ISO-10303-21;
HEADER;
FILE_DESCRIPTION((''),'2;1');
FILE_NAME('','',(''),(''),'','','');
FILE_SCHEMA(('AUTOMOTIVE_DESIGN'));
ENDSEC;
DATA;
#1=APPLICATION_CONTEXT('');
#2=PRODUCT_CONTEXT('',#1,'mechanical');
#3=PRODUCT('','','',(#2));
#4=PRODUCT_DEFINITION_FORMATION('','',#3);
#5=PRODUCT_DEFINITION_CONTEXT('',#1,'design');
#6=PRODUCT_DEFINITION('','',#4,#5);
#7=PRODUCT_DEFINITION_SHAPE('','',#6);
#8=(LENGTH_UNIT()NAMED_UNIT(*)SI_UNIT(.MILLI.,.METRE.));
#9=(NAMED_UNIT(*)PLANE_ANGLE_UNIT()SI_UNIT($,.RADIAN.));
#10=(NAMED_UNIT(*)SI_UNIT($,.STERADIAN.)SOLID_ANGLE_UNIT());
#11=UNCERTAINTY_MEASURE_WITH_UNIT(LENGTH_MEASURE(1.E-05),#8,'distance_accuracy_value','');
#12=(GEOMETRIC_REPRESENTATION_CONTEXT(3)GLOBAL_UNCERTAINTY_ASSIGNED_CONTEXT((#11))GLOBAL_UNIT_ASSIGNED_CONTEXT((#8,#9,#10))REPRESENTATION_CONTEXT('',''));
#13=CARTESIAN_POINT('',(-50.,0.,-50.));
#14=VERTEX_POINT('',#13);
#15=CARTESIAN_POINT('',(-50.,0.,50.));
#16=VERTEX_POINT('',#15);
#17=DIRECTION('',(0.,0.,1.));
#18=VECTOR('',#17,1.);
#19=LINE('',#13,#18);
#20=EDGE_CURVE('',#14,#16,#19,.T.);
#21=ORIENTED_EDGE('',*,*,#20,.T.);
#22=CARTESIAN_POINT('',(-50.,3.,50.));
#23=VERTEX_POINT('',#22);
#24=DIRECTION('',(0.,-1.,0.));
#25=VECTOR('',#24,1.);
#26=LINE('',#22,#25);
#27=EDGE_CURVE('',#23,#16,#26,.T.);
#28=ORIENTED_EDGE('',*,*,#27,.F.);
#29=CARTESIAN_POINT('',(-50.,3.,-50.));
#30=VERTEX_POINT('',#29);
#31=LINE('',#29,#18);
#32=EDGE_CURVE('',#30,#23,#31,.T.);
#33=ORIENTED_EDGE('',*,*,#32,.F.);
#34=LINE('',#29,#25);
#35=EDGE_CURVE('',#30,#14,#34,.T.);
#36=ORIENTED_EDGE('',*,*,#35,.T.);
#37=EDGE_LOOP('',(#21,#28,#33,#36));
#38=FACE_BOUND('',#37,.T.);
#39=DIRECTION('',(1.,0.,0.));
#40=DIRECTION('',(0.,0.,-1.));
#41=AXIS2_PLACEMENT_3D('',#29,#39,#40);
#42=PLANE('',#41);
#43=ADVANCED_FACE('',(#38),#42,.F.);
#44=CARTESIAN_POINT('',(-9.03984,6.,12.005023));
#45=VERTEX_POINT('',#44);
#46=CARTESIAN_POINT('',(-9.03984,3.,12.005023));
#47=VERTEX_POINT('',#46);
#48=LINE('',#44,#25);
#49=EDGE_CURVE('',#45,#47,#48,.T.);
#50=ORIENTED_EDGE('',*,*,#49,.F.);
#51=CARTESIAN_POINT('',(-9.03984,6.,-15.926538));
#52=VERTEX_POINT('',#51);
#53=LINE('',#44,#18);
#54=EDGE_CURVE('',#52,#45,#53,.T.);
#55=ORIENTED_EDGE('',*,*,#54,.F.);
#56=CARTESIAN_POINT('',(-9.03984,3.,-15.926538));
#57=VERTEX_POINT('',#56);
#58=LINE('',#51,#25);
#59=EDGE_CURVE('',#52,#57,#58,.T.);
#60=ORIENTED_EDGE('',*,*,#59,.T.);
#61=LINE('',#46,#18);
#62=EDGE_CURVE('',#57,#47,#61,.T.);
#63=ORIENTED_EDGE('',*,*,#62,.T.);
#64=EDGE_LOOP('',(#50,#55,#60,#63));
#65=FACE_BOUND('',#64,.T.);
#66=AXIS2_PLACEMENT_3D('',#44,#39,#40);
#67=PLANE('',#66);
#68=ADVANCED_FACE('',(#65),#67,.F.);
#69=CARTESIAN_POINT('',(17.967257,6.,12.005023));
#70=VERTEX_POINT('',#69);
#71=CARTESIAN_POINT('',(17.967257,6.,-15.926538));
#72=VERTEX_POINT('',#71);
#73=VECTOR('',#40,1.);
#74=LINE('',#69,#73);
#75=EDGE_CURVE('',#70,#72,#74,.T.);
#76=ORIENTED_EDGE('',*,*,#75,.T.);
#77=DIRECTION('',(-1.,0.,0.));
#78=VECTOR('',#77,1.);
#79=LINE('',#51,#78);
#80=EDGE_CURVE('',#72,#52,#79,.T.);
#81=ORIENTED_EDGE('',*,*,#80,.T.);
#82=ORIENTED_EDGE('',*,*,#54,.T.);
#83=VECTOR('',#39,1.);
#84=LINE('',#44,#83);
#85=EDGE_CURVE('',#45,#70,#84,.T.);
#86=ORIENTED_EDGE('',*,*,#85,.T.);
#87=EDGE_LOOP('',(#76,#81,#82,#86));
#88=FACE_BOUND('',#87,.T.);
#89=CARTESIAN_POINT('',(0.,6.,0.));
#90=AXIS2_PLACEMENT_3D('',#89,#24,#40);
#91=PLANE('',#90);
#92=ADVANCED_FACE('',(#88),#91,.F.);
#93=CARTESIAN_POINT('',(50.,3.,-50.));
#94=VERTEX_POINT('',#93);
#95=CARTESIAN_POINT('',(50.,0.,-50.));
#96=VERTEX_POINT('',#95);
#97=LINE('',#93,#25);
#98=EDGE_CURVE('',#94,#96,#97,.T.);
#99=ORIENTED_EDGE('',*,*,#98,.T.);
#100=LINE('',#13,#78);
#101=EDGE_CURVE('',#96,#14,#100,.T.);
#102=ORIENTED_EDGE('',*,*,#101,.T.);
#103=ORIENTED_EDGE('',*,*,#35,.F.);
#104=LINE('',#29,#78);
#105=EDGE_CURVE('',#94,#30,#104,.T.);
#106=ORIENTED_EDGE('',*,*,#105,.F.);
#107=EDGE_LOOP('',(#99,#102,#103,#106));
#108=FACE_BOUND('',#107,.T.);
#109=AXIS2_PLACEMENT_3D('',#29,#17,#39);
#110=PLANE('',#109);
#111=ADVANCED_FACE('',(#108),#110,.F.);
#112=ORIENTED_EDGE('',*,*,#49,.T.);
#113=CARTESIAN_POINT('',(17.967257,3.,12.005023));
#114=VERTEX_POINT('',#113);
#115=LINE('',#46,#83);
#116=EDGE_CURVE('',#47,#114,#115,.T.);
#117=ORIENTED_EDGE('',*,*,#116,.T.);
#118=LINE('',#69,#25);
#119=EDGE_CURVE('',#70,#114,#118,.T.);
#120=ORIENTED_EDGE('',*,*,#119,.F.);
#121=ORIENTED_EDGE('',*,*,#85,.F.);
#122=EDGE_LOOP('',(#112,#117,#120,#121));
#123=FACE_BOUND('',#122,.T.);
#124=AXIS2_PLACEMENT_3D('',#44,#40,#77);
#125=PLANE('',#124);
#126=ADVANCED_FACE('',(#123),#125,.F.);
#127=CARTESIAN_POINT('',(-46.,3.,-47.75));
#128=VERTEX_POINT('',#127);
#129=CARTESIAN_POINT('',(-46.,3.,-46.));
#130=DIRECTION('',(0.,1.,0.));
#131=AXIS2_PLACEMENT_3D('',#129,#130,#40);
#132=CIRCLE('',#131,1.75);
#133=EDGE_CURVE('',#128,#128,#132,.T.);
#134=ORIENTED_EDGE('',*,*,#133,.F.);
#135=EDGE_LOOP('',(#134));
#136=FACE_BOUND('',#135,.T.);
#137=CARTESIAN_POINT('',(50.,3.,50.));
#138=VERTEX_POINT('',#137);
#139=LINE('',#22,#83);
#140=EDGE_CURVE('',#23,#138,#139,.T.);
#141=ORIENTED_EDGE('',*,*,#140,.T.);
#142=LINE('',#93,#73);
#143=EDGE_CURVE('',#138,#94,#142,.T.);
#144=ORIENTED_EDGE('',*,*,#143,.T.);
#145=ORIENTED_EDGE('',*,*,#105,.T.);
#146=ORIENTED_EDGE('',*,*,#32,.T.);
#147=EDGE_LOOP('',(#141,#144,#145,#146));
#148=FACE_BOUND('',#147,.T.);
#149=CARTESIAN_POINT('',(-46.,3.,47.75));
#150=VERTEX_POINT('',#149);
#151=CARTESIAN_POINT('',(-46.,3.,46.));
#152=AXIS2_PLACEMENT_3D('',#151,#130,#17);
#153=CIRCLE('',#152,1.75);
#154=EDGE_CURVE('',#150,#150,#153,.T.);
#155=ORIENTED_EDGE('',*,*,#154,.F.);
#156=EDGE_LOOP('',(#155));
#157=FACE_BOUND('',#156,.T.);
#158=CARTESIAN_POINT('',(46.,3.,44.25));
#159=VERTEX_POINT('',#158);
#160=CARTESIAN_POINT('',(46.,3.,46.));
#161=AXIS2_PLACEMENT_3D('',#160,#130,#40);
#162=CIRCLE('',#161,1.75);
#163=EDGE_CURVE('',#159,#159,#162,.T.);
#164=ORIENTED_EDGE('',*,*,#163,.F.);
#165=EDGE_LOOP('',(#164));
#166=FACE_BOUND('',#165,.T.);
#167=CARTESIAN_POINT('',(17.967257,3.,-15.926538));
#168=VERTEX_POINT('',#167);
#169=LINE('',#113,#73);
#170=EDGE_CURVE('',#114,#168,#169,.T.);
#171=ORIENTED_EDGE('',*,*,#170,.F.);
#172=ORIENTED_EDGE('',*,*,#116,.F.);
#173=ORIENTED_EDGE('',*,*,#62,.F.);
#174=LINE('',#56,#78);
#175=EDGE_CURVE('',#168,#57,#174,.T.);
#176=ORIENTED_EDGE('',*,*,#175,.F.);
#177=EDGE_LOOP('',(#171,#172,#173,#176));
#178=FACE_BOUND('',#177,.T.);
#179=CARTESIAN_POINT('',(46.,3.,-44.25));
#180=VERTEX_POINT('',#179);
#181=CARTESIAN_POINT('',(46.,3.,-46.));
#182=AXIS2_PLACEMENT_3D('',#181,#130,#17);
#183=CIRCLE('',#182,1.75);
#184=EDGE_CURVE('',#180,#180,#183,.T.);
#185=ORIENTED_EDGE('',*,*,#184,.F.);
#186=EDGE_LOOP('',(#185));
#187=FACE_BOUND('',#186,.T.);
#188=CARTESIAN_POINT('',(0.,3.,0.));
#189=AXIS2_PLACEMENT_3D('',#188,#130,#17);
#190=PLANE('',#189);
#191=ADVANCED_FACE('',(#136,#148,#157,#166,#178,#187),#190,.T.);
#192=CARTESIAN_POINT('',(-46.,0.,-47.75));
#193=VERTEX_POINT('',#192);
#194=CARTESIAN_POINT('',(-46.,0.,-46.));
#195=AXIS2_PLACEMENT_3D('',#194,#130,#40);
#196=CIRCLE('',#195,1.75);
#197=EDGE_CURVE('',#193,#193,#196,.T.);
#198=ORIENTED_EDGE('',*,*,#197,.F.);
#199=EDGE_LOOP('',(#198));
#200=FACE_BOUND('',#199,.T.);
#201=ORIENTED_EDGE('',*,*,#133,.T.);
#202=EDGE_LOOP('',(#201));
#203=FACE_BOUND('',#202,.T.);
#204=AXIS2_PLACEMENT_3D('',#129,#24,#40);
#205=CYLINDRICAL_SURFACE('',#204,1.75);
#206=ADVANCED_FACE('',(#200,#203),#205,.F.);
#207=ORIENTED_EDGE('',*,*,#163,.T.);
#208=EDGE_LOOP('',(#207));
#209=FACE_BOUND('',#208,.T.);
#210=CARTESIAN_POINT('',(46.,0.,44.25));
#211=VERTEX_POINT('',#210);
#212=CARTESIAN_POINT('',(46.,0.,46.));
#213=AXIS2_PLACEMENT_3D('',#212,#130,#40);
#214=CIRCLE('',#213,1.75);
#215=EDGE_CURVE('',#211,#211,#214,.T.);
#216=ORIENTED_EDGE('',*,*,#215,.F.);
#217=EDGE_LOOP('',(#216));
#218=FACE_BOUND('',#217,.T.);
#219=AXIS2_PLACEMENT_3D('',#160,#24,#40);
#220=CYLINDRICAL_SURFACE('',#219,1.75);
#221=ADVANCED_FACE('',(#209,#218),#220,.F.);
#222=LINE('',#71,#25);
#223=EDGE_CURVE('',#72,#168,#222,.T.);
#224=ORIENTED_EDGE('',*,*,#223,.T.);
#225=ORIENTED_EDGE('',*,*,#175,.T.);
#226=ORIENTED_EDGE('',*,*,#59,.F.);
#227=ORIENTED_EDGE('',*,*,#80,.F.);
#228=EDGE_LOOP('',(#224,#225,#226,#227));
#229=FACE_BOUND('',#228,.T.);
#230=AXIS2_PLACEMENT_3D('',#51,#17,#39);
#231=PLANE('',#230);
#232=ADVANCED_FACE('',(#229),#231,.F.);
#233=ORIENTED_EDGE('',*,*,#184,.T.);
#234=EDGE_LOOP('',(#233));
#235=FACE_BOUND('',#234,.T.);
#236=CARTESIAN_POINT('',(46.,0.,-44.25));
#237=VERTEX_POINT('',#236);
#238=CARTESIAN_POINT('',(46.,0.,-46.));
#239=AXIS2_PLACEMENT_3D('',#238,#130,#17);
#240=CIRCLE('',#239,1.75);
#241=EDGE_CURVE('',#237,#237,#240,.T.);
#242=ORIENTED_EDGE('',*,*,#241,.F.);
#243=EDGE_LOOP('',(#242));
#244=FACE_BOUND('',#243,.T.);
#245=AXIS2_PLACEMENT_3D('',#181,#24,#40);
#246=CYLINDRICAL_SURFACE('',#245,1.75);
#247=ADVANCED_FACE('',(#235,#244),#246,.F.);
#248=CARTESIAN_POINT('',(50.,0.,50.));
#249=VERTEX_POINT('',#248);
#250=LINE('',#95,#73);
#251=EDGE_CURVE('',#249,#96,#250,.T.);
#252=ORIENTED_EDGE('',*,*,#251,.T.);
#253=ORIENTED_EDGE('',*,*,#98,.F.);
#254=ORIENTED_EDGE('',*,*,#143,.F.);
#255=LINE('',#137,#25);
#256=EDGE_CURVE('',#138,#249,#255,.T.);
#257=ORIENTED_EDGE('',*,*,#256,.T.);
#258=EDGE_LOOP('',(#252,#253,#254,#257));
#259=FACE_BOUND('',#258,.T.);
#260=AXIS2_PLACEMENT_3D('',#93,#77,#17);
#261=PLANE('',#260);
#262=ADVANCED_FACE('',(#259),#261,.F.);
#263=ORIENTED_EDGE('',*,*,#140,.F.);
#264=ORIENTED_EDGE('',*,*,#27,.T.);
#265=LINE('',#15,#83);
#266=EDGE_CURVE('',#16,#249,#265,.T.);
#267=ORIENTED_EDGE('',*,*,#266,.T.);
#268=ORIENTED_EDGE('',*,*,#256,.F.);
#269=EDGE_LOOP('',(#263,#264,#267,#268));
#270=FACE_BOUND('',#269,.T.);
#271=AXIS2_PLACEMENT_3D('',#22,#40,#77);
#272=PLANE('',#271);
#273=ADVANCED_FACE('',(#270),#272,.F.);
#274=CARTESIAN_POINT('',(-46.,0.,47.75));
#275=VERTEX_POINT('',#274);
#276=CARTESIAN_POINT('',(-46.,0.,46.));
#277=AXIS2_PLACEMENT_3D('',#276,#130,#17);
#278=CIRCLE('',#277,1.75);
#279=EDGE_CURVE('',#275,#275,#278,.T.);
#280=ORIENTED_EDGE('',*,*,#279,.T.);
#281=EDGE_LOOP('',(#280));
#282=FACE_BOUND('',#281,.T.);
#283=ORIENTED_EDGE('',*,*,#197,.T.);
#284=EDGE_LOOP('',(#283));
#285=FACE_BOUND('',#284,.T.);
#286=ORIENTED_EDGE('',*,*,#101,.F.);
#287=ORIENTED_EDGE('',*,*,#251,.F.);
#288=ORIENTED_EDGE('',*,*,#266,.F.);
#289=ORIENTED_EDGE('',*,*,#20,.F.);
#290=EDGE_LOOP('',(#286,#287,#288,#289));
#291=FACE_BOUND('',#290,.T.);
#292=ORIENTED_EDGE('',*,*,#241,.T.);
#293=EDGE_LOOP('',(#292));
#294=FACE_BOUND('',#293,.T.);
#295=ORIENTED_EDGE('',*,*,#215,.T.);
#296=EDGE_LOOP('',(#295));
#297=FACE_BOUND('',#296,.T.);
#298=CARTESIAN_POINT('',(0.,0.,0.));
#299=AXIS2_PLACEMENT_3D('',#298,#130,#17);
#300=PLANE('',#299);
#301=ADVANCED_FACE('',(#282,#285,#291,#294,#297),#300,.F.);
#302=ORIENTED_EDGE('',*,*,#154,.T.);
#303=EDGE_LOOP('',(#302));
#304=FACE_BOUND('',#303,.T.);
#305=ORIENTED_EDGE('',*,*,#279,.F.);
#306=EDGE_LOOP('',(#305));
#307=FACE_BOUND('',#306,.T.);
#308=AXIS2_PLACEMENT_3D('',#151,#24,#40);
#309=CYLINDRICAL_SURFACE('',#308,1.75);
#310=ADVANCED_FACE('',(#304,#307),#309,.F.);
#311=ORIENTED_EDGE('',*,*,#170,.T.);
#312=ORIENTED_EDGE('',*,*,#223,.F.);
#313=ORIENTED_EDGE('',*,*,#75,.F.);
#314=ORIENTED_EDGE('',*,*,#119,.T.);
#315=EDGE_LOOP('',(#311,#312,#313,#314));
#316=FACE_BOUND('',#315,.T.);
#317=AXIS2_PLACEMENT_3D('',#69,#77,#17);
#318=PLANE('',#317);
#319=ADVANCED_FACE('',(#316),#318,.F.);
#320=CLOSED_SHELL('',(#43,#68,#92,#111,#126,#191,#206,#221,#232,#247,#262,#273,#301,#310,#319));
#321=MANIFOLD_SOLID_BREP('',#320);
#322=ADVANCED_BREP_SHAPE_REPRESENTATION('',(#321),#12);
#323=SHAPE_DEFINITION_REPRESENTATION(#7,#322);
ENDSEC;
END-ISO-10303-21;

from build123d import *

# Parameters (mm, degrees)
SKETCH_1_W      = 100
SKETCH_1_H      = 100
SKETCH_1_R      = 1.75
EXTRUDE_1_DEPTH = 3
SKETCH_2_W      = 27.007096721
SKETCH_2_H      = 27.931561416
EXTRUDE_2_DEPTH = 3


with BuildPart() as part:
    # 草图1 → 凸台-拉伸1 (new body)
    with BuildSketch(Plane(origin=(0, 0, 0), x_dir=(1, 0, 0), z_dir=(0, 1, 0))):
        Rectangle(SKETCH_1_W, SKETCH_1_H)
        with Locations(Location((46, 46, 0), (0, 0, 270))):
            Circle(SKETCH_1_R, mode=Mode.SUBTRACT)
        with Locations(Location((46, -46, 0), (0, 0, 90))):
            Circle(SKETCH_1_R, mode=Mode.SUBTRACT)
        with Locations(Location((-46, -46, 0), (0, 0, 270))):
            Circle(SKETCH_1_R, mode=Mode.SUBTRACT)
        with Locations(Location((-46, 46, 0), (0, 0, 90))):
            Circle(SKETCH_1_R, mode=Mode.SUBTRACT)
    extrude(amount=EXTRUDE_1_DEPTH)

    # 草图2 → 凸台-拉伸2 (add)
    with BuildSketch(Plane(origin=(0, 3, 0), x_dir=(1, 0, 0), z_dir=(0, 1, 0))):
        with Locations((4.463708772, 1.960757277)):
            Rectangle(SKETCH_2_W, SKETCH_2_H)
    extrude(amount=EXTRUDE_2_DEPTH)


solid = part.part
